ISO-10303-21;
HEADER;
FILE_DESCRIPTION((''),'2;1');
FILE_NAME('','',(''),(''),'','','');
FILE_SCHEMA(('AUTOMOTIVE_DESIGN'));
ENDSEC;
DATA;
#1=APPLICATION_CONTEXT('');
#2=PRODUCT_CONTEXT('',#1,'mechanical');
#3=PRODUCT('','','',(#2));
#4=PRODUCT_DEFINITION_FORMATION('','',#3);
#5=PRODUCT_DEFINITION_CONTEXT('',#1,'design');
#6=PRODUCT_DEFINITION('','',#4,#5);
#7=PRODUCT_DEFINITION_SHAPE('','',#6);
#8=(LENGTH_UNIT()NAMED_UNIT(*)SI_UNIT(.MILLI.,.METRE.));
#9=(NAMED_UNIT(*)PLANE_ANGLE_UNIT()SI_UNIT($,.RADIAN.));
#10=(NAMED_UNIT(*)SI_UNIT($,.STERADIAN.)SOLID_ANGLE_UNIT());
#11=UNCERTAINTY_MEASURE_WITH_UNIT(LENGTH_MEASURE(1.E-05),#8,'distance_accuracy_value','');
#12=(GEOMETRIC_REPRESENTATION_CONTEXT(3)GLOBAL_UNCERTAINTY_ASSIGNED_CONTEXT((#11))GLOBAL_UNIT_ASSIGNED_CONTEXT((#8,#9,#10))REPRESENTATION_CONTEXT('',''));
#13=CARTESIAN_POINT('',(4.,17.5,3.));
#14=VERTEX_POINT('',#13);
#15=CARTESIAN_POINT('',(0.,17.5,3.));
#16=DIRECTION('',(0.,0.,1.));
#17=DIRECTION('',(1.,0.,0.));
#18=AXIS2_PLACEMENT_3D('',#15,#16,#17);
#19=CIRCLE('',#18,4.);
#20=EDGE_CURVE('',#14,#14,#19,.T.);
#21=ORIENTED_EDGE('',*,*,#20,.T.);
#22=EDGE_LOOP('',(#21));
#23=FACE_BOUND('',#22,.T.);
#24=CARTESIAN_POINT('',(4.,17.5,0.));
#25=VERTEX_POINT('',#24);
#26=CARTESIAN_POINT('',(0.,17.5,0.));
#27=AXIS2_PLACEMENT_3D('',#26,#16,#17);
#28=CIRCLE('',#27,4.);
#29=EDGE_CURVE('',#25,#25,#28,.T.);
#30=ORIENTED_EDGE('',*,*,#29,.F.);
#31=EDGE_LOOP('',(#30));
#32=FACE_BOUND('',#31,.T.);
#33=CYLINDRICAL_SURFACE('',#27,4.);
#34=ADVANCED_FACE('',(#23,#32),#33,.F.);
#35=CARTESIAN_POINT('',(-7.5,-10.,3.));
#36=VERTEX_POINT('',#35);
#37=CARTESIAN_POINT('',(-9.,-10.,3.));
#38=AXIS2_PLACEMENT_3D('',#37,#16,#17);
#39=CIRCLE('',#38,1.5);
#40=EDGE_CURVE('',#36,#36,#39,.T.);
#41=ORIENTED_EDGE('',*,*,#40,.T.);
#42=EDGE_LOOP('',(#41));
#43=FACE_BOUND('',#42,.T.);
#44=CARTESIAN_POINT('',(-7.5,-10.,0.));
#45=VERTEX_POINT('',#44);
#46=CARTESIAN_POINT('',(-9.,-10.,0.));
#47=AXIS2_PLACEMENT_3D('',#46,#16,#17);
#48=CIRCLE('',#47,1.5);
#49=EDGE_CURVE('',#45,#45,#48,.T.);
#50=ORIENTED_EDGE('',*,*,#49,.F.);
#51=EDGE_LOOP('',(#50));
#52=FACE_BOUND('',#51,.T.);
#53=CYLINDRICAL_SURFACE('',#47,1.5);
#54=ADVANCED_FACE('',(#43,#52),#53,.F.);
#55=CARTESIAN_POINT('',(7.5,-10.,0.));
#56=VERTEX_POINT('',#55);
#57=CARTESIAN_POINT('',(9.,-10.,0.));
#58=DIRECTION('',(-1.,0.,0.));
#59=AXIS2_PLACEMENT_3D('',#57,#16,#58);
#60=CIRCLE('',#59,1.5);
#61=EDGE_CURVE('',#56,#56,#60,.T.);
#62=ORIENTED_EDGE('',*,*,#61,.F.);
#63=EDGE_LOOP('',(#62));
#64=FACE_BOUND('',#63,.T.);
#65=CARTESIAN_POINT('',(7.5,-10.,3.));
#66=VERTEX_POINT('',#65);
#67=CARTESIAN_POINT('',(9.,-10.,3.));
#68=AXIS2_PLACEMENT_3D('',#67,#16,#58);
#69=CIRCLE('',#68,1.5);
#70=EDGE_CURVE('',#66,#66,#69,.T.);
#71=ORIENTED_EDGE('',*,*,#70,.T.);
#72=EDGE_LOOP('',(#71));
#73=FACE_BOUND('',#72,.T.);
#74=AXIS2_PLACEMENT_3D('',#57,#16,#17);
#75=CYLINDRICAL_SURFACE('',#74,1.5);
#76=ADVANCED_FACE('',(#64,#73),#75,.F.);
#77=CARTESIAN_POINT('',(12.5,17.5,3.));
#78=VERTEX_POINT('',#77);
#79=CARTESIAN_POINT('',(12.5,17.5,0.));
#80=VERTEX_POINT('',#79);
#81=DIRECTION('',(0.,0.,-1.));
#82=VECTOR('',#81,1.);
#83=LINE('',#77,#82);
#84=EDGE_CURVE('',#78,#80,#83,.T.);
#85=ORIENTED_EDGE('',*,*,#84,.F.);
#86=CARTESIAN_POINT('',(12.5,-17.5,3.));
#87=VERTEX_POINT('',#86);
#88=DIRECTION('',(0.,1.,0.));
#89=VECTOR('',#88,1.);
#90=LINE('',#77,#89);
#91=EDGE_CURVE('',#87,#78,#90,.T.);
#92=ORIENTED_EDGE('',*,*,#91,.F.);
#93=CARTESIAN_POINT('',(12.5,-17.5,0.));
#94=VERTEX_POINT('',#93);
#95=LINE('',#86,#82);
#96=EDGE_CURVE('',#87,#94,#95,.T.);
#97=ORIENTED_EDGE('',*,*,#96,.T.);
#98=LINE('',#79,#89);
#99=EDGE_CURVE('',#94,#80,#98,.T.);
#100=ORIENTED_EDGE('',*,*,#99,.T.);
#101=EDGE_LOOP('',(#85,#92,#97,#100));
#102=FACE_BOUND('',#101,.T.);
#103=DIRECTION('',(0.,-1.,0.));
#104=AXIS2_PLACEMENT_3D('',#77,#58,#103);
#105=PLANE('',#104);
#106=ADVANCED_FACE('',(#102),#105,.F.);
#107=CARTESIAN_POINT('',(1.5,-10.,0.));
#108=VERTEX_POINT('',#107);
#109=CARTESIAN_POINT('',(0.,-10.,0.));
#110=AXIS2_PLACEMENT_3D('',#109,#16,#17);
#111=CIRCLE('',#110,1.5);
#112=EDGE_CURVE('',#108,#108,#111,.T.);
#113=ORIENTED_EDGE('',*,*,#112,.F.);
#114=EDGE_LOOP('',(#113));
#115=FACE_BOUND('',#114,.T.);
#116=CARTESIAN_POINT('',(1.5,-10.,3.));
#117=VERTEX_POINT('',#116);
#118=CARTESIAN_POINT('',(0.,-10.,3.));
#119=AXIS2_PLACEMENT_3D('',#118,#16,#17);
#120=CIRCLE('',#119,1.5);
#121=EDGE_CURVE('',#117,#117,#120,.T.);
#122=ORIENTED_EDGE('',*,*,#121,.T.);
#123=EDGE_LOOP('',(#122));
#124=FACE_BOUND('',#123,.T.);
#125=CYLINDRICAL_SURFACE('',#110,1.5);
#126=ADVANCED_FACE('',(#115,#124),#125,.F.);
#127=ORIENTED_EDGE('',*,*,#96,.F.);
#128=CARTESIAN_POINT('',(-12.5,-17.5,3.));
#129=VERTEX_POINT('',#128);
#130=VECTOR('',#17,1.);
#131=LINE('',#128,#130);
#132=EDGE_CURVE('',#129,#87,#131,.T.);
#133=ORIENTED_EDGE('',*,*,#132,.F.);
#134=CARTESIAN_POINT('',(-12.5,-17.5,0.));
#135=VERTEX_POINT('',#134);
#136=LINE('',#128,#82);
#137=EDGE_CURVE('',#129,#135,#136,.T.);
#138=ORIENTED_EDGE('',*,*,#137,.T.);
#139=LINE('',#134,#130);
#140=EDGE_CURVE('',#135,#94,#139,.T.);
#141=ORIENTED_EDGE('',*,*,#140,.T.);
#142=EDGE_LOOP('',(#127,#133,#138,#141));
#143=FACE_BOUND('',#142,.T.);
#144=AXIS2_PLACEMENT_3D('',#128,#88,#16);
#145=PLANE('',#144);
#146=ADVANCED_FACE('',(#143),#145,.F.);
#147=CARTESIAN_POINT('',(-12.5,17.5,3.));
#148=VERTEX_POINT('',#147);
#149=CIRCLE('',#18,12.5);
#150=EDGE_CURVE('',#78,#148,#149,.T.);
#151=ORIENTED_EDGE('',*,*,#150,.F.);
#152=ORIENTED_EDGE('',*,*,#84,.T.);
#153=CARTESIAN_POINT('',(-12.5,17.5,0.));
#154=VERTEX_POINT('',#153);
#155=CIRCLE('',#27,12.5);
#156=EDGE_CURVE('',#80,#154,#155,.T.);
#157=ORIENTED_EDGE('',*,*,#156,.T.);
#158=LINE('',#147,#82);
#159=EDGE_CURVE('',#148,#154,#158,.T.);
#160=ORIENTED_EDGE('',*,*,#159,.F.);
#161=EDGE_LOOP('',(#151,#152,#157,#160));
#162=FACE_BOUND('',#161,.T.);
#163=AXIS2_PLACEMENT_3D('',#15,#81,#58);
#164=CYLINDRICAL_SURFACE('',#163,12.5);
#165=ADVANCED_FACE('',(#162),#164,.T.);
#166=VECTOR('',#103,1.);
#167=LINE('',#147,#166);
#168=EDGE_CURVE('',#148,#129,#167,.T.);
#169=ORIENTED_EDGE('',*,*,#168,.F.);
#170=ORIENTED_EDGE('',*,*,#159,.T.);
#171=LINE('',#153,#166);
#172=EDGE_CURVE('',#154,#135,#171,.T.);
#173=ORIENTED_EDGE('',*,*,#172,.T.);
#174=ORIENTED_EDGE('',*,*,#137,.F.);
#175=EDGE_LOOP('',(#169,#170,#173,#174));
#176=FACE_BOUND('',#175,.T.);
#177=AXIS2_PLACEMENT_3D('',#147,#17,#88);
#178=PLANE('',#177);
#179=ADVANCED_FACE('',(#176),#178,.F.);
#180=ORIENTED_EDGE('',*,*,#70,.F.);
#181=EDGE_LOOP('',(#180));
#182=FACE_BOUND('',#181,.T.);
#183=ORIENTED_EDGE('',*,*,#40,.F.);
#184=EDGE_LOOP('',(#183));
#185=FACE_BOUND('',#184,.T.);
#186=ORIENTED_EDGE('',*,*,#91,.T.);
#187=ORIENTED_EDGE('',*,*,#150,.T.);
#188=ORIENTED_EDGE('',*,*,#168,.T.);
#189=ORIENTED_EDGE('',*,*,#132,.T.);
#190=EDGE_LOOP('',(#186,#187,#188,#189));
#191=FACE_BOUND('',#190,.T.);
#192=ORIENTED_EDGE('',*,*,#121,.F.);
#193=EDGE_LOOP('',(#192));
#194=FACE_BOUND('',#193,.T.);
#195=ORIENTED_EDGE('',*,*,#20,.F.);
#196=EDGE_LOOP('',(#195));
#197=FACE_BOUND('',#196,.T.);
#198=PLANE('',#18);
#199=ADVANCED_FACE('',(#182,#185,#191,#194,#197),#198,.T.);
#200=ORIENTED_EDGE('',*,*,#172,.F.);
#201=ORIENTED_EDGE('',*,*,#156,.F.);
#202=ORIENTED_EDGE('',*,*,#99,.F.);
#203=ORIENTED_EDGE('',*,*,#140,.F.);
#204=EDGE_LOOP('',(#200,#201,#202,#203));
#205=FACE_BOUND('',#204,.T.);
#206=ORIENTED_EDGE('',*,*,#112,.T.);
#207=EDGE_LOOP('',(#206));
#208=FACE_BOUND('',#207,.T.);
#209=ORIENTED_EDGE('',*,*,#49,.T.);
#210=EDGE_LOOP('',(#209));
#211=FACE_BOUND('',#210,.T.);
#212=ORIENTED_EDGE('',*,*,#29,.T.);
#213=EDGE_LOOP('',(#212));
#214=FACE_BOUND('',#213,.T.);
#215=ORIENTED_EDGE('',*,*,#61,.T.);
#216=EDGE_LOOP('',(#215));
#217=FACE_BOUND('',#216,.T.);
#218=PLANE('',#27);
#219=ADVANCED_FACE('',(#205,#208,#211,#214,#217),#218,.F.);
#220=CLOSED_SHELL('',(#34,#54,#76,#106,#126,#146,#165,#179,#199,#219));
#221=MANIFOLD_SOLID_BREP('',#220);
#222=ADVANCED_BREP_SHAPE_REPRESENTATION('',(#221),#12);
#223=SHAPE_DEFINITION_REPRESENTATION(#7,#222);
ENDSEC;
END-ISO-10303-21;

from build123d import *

# Parameters (mm, degrees)
EXTRUDE_1_DEPTH     = 3
SKETCH_3_R          = 4
CUT_EXTRUDE_1_DEPTH = 33.638167841
SKETCH_4_R          = 1.5
CUT_EXTRUDE_2_DEPTH = 33.638167841


with BuildPart() as part:
    # 草图2 → 凸台-拉伸1 (new body)
    with BuildSketch(Plane.XY):
        with BuildLine():
            Line((-12.5, 17.5), (-12.5, -17.5))
            Line((-12.5, -17.5), (12.5, -17.5))
            Line((12.5, -17.5), (12.5, 17.5))
            ThreePointArc((12.5, 17.5), (0, 30), (-12.5, 17.5))
        make_face()
    extrude(amount=EXTRUDE_1_DEPTH)

    # 草图3 → 切除-拉伸1 (cut, through all)
    with BuildSketch(Plane.XY.offset(3)):
        with Locations((0, 17.5)):
            Circle(SKETCH_3_R)
    extrude(amount=-CUT_EXTRUDE_1_DEPTH, mode=Mode.SUBTRACT)

    # 草图4 → 切除-拉伸2 (cut, through all)
    with BuildSketch(Plane.XY.offset(3)):
        with Locations((-9, -10)):
            Circle(SKETCH_4_R)
        with Locations((0, -10)):
            Circle(SKETCH_4_R)
        with Locations(Location((9, -10, 0), (0, 0, 180))):
            Circle(SKETCH_4_R)
    extrude(amount=-CUT_EXTRUDE_2_DEPTH, mode=Mode.SUBTRACT)


solid = part.part
